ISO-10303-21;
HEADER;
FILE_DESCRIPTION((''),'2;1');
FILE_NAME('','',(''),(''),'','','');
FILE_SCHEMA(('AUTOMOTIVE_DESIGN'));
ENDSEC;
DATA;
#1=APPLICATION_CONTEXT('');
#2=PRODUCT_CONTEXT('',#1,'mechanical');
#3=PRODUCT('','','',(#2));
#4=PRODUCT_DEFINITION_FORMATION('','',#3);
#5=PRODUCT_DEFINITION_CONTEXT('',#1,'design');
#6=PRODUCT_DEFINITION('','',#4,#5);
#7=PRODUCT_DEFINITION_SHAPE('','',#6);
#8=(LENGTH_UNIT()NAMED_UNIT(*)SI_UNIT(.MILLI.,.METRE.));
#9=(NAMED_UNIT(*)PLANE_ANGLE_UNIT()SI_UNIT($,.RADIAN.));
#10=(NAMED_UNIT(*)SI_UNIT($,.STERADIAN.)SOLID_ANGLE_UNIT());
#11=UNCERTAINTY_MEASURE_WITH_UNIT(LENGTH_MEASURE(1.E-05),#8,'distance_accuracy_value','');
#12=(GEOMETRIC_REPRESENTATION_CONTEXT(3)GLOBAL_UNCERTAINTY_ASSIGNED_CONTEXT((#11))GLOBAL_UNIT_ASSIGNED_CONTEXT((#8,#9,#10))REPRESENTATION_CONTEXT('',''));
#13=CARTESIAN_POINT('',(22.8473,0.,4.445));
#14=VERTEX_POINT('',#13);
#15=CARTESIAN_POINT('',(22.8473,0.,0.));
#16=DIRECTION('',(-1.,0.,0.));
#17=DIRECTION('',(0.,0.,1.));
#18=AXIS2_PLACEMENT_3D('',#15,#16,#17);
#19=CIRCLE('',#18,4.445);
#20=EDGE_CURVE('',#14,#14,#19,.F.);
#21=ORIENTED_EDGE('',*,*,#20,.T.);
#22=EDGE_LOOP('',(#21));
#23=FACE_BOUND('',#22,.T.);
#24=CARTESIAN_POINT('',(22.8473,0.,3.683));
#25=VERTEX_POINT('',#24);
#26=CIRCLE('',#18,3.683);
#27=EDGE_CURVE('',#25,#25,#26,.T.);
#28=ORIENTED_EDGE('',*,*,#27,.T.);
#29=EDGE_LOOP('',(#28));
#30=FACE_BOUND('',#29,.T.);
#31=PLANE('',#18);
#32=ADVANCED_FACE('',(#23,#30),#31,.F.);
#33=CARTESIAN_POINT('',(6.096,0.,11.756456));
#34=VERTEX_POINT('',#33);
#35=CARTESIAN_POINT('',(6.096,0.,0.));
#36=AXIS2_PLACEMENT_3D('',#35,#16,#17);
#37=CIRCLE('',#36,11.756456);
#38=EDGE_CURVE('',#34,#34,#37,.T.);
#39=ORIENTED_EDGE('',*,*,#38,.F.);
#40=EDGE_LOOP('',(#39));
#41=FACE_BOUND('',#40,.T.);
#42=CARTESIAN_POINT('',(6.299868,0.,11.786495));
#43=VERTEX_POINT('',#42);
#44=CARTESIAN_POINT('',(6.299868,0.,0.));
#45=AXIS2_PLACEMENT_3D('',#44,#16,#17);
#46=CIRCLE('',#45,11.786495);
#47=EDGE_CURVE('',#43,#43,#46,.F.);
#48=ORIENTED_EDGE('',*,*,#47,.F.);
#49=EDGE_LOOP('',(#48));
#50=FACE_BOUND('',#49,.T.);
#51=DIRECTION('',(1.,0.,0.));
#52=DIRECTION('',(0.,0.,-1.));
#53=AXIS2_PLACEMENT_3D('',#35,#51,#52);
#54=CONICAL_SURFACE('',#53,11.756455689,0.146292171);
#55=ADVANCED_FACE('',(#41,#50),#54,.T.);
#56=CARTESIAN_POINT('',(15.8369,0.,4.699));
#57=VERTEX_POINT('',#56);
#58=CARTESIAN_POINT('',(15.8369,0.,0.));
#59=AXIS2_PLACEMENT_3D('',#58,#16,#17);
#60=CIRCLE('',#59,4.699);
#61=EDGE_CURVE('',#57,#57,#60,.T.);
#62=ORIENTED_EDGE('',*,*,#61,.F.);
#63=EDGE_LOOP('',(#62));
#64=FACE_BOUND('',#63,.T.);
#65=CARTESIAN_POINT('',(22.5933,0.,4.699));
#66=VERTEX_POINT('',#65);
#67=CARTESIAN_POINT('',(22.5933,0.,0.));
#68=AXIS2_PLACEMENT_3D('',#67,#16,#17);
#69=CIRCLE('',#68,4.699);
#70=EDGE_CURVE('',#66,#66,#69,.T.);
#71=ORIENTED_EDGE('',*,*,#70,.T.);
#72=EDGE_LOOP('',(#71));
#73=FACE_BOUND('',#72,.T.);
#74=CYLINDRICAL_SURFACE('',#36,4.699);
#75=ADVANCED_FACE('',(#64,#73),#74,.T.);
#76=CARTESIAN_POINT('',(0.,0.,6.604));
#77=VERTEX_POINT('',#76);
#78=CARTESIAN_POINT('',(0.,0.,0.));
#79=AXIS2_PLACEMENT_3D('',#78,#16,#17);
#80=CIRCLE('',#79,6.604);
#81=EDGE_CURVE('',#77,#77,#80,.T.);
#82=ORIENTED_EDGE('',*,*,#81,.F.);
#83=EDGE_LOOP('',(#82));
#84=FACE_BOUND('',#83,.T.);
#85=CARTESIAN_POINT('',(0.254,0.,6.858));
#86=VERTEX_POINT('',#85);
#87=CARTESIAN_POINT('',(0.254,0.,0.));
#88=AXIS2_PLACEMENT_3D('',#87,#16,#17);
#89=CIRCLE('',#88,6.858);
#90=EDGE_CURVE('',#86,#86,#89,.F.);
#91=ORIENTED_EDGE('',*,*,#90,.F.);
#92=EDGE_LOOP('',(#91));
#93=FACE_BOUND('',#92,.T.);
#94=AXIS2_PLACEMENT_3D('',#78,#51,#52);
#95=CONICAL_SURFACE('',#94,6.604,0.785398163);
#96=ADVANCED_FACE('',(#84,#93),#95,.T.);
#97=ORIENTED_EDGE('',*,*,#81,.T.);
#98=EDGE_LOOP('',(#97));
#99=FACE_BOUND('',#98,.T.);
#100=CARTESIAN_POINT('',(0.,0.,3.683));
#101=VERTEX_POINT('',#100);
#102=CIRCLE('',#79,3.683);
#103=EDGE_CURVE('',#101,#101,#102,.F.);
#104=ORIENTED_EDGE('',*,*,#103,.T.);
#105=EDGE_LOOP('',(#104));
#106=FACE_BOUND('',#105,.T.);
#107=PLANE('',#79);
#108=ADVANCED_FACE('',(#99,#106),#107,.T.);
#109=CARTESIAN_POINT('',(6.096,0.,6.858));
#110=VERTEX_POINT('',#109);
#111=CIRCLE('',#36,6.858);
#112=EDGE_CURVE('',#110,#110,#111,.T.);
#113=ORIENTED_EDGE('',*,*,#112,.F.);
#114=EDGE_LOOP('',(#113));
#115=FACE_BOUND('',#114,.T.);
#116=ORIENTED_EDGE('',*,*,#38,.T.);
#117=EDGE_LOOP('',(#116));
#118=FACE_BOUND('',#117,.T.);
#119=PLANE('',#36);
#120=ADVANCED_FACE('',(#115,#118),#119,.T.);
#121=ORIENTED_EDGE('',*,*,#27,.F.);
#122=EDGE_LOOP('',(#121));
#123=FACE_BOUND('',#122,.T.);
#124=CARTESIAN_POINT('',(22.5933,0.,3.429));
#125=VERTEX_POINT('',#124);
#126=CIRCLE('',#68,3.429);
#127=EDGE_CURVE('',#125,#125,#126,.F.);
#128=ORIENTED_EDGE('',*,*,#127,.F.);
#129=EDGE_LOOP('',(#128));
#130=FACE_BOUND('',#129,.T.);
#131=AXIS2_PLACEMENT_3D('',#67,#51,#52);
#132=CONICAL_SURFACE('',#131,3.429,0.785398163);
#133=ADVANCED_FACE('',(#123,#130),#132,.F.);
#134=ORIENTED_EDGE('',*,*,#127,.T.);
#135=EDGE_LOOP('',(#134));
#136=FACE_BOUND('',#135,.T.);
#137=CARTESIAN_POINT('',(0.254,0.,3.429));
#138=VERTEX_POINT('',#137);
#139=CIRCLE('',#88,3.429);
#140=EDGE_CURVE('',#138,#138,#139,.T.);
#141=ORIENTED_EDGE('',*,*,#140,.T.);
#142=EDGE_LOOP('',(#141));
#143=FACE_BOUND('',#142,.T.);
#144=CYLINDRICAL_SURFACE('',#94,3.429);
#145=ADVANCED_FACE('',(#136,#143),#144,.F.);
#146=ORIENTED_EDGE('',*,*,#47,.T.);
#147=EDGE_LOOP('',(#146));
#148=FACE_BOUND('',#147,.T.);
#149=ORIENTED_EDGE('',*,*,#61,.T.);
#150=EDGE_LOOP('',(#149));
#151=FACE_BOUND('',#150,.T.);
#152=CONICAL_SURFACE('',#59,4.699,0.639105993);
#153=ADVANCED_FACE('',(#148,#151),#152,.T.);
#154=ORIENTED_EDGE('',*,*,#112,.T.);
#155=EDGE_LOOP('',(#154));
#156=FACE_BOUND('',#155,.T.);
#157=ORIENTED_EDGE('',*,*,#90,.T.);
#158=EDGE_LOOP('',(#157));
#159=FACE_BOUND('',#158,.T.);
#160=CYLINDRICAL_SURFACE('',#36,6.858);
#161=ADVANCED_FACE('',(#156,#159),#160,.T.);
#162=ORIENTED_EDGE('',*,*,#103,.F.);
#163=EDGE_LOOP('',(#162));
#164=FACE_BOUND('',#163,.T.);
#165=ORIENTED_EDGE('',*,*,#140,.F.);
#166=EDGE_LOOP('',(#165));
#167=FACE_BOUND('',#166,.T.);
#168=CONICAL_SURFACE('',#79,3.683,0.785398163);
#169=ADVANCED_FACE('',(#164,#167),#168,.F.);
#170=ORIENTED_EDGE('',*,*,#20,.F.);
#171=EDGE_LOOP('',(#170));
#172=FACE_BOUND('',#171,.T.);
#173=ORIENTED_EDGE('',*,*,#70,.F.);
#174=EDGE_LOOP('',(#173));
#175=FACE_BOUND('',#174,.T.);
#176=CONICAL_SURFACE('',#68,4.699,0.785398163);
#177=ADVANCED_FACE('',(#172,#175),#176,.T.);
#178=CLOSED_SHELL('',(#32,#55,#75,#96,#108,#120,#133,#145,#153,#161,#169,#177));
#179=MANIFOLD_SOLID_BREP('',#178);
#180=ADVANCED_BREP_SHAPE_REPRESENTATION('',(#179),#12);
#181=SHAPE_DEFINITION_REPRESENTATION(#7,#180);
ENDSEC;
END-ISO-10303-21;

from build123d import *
from OCP.BRepFilletAPI import BRepFilletAPI_MakeChamfer

# Parameters (mm, degrees)
SKETCH1_W          = 6.096
SKETCH1_H          = 6.858
SKETCH2_R          = 3.429
CUT_EXTRUDE1_DEPTH = 29.408287616
CHAMFER1_SIZE      = 0.254
CHAMFER1_SIZE2     = 0.181544311


with BuildPart() as part:
    # Sketch1 → Revolve1 (revolve)
    with BuildSketch(Plane.XY, mode=Mode.PRIVATE) as revolve1_sk:
        with Locations((3.048, 3.429)):
            Rectangle(SKETCH1_W, SKETCH1_H)
        Polygon((6.096, 6.858), (6.096, 0), (15.8369, 0), (15.8369, 4.699), (6.096, 11.938), align=None)
        Polygon((15.8369, 4.699), (15.8369, 0), (17.1069, 0), (18.6182, 0), (20.1295, 0), (21.3995, 0), (22.8473, 0), (22.8473, 4.699), align=None)
    revolve(revolve1_sk.sketch.rotate(Axis((6.096, 0, 0), (1, 0, 0)), 90), axis=Axis((6.096, 0, 0), (1, 0, 0)))

    # Sketch2 → Cut-Extrude1 (cut, through all)
    with BuildSketch(Plane(origin=(22.8473, 0, 0), x_dir=(0, 0, -1), z_dir=(1, 0, 0))):
        Circle(SKETCH2_R)
    extrude(amount=-CUT_EXTRUDE1_DEPTH, mode=Mode.SUBTRACT)

    # Chamfer1: one chamfer whose edges measure the first distance from different faces: ONE call of the kernel's chamfer builder (chamfer() names one face for all edges)
    chamfer1_edges_1 = [part.edges().sort_by_distance(p)[0] for p in [
        (0, 0, -6.858),
        (0, 0, 3.429),
        (22.8473, 0, 3.429),
        (22.8473, 0, -4.699),
    ]]
    chamfer1_edges_2 = [part.edges().sort_by_distance(p)[0] for p in [
        (6.096, 0, -11.938),
    ]]
    chamfer1_side_2 = [part.faces().sort_by_distance(p)[0] for p in [
        (10.96645, 0, -8.3185),
    ]]
    chamfer1 = BRepFilletAPI_MakeChamfer(part.part.solid().wrapped)
    for e in chamfer1_edges_1:
        chamfer1.Add(CHAMFER1_SIZE, e.wrapped)
    for e in chamfer1_edges_2:
        chamfer1.Add(CHAMFER1_SIZE, CHAMFER1_SIZE2, e.wrapped, chamfer1_side_2[0].wrapped)  # the first distance lies on this face
    add(Compound.cast(chamfer1.Shape()), mode=Mode.REPLACE)


solid = part.part
